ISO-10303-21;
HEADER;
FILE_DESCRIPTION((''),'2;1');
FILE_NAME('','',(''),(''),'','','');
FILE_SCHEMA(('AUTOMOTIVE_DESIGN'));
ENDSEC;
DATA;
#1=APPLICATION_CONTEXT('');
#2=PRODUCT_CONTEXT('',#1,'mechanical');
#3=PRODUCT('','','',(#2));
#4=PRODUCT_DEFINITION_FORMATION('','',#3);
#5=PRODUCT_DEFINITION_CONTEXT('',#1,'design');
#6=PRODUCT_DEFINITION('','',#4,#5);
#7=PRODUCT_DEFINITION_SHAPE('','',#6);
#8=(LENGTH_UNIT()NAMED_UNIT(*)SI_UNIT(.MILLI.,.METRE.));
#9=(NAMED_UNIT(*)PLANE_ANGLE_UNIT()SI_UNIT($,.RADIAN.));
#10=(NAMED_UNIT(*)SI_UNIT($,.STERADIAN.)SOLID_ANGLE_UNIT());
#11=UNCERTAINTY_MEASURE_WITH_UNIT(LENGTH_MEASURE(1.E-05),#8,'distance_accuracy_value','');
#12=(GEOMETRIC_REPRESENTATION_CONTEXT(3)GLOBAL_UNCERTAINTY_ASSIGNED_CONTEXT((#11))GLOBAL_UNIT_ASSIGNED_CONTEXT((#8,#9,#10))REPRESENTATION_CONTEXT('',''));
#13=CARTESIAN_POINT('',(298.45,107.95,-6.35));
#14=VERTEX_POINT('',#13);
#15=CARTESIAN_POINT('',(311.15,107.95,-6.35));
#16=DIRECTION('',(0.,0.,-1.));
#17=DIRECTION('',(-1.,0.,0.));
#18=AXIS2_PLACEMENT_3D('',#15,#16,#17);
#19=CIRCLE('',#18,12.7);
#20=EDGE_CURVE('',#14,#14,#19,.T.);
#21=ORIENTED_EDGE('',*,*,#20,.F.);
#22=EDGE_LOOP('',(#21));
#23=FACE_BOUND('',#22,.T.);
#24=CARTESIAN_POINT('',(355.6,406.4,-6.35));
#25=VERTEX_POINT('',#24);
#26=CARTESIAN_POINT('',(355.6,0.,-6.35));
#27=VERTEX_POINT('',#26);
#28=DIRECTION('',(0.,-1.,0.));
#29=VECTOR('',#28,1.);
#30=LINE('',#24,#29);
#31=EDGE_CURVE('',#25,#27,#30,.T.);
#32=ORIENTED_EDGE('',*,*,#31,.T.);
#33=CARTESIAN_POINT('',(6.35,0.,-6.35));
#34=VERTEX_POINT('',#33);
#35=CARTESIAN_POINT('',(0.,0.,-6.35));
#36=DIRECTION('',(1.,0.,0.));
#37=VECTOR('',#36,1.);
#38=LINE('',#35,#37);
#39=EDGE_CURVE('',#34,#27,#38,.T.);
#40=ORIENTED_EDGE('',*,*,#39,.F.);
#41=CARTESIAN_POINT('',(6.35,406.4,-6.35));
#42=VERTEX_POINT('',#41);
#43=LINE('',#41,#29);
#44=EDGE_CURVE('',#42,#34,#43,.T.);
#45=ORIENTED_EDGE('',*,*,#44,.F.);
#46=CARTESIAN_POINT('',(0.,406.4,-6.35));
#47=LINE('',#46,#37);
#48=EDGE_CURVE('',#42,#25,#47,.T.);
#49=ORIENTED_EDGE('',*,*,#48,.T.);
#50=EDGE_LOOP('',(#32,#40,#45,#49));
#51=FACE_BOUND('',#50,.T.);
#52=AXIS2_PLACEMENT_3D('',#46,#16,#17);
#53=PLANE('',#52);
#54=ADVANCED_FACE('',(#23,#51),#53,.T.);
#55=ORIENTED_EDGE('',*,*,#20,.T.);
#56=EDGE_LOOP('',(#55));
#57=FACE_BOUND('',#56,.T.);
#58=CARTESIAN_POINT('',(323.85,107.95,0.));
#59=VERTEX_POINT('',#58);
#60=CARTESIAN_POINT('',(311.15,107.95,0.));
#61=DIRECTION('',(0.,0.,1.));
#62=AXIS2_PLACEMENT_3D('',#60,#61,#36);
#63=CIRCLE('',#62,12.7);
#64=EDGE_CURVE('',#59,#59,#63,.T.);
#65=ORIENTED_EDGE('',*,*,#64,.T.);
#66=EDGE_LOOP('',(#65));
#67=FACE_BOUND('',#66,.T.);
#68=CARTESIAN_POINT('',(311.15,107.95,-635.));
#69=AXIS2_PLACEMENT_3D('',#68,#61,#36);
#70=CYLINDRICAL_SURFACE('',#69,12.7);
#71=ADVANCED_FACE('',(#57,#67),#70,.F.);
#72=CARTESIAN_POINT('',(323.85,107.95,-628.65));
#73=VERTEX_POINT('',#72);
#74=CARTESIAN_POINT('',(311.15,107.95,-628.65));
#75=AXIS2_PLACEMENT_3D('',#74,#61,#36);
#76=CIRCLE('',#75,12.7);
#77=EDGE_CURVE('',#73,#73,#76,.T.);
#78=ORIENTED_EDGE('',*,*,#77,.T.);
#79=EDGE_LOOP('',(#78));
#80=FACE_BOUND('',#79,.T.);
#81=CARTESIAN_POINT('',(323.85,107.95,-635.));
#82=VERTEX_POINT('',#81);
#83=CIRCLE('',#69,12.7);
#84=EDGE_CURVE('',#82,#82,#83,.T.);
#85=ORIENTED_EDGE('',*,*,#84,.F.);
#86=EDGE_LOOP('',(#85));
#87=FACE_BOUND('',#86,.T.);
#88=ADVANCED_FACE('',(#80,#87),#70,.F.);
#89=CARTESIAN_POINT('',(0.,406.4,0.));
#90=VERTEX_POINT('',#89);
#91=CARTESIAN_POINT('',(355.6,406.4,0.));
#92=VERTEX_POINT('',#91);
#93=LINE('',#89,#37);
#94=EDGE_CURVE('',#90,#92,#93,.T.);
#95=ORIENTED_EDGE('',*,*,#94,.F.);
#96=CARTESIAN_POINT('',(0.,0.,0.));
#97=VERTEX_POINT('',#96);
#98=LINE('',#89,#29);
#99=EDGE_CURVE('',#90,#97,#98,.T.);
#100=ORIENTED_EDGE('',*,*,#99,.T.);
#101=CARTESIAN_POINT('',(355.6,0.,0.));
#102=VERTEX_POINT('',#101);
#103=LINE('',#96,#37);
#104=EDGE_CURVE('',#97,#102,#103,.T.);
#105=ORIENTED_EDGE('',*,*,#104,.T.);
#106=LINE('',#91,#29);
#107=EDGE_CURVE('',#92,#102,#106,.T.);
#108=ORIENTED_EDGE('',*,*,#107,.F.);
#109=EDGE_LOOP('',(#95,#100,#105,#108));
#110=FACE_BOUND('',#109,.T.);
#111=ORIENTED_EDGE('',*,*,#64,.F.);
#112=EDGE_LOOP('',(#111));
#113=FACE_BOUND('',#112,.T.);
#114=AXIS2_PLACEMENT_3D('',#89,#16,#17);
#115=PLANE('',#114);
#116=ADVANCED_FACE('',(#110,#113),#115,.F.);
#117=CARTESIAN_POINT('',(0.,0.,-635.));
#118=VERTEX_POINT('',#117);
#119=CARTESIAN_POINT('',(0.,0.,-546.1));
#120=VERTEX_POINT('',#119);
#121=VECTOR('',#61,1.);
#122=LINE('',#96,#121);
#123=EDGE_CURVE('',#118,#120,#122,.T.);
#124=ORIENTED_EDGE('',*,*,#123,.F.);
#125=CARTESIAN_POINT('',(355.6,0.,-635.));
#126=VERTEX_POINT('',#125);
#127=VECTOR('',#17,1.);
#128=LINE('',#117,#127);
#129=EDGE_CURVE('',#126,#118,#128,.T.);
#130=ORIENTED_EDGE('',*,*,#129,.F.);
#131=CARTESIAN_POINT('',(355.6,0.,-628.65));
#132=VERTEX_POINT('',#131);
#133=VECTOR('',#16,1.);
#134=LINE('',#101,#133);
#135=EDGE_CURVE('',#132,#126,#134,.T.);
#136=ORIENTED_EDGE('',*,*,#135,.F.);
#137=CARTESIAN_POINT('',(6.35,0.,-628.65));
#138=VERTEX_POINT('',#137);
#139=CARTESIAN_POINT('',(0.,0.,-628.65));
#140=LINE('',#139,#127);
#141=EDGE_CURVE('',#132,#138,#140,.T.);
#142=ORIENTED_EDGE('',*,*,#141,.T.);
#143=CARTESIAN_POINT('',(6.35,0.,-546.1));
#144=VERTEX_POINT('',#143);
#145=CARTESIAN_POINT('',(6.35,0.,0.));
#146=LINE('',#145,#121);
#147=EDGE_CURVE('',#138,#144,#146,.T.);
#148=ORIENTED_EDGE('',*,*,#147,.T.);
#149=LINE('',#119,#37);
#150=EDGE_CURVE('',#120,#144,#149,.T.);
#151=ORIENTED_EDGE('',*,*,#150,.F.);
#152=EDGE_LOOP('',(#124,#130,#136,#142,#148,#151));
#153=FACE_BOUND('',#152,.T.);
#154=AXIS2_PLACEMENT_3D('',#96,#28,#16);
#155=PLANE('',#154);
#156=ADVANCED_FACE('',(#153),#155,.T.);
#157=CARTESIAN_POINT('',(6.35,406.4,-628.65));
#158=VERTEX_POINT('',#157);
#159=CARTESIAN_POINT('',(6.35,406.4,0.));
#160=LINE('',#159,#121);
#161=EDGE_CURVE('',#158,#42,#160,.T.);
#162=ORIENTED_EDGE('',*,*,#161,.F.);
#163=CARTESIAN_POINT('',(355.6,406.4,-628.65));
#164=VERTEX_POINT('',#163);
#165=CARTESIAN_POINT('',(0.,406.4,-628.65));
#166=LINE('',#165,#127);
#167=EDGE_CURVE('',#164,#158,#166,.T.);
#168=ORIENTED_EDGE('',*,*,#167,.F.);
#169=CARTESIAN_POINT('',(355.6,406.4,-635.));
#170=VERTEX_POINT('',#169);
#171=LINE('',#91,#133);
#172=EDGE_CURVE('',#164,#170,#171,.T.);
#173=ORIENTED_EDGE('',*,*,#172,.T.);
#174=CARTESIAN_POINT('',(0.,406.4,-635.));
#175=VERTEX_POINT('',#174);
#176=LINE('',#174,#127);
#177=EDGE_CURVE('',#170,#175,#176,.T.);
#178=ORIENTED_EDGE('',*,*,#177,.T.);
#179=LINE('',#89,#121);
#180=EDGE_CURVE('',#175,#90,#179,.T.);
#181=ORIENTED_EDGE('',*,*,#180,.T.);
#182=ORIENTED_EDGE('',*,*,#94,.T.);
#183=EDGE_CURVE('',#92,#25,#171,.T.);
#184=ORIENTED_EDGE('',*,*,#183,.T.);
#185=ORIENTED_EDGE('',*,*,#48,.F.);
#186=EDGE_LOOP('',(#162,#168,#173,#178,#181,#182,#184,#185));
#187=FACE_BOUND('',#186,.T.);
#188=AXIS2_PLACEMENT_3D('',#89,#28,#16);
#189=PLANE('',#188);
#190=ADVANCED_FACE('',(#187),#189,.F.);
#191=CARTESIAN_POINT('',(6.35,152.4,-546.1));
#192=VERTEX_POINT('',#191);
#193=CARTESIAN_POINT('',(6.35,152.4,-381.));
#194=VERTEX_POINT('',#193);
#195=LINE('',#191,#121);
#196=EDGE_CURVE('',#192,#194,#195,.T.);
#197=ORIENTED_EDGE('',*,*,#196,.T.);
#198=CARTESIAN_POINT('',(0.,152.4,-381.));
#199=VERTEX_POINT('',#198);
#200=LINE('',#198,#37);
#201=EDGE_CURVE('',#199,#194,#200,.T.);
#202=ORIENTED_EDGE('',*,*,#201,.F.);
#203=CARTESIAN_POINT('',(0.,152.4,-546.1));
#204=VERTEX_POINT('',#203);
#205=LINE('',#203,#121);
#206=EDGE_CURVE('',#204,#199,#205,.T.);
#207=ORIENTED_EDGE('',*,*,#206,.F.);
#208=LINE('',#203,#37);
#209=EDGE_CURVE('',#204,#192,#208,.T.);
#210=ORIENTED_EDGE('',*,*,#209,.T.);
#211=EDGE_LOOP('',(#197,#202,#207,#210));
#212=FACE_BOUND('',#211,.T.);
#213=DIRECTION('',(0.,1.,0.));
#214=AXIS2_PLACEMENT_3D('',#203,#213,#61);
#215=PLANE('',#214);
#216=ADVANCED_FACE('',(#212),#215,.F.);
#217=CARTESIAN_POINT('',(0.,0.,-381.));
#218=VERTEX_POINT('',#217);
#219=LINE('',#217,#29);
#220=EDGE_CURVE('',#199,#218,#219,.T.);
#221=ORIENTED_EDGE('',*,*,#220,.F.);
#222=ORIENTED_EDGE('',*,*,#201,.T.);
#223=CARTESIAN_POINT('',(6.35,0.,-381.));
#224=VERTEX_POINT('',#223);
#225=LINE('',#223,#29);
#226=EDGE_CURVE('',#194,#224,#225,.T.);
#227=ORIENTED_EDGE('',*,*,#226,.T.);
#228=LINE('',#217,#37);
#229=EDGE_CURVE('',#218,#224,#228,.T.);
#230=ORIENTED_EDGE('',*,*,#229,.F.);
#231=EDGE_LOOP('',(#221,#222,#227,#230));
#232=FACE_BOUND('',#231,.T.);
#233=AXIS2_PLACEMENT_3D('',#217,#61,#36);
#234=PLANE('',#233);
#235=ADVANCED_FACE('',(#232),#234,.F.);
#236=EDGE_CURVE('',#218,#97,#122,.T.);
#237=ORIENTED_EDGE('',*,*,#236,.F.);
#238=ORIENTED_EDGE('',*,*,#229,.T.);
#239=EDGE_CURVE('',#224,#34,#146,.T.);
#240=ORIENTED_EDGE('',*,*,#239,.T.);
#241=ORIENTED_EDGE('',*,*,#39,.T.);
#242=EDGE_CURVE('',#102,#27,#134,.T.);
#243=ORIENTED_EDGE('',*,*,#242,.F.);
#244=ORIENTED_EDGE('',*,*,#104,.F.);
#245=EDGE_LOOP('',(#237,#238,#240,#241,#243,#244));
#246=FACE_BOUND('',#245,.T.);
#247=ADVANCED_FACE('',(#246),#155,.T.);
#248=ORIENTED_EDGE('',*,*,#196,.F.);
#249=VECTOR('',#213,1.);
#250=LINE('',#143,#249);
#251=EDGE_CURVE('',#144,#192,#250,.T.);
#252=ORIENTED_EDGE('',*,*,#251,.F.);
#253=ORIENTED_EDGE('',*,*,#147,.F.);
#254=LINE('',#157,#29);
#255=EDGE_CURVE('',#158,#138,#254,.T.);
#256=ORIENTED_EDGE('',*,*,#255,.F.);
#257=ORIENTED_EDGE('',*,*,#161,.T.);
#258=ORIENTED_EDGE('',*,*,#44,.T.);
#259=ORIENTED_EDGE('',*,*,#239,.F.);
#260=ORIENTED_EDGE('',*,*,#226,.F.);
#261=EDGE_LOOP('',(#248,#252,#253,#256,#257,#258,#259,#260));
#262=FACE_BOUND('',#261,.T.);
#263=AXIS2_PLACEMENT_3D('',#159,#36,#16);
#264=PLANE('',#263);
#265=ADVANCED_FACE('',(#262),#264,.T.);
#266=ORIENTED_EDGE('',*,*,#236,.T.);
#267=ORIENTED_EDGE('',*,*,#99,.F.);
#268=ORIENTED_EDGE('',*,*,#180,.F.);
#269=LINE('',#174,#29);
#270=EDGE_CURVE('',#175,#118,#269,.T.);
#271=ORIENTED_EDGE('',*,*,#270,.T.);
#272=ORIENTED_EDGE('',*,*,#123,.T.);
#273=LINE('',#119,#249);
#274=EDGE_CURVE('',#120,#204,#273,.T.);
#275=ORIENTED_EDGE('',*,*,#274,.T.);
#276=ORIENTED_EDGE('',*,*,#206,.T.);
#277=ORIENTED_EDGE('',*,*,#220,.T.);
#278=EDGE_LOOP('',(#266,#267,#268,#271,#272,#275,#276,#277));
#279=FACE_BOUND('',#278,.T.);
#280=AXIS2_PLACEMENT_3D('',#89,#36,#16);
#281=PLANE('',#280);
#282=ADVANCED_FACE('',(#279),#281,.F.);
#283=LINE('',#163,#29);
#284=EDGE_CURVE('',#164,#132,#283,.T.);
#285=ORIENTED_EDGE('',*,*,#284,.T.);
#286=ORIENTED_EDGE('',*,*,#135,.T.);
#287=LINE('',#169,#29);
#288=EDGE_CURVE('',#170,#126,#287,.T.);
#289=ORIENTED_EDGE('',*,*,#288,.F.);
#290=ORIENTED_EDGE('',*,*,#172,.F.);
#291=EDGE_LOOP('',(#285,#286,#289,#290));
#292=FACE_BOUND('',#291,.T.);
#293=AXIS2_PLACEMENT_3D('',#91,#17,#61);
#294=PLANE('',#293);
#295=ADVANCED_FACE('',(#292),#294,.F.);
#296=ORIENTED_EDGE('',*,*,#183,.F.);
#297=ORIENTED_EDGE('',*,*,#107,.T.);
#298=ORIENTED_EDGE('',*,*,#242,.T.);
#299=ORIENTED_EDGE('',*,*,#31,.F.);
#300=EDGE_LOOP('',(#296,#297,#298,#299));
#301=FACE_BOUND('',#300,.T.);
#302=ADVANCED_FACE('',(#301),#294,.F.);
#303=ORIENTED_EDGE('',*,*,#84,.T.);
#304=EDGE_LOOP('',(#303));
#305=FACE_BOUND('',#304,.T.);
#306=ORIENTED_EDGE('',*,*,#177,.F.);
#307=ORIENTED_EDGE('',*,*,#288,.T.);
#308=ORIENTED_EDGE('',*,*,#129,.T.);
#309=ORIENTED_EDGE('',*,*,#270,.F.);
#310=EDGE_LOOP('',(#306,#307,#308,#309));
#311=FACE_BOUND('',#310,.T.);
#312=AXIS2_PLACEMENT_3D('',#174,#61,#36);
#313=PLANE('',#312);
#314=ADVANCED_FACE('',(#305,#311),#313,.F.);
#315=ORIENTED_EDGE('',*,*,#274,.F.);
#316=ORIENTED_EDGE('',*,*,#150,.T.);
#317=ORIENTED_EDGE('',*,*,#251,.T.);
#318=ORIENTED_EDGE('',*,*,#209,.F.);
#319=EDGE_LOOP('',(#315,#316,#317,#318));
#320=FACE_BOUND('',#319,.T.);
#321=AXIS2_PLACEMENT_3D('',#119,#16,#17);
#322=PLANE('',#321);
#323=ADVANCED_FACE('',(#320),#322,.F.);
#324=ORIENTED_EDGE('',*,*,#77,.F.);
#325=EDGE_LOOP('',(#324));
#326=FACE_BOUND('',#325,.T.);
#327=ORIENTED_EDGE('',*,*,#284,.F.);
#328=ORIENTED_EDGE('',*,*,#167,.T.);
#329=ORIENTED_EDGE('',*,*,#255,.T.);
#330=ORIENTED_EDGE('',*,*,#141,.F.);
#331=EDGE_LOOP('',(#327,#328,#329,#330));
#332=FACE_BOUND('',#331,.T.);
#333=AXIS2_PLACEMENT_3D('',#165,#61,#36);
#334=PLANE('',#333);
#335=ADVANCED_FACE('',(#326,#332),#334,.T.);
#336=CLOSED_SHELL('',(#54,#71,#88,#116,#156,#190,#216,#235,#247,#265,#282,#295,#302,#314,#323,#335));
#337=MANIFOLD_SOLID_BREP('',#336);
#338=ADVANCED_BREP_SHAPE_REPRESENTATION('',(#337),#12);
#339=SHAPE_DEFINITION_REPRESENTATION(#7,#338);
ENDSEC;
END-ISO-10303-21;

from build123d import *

# Parameters (mm, degrees)
SKETCH1_W           = 355.6
SKETCH1_H           = 635
BOSS_EXTRUDE1_DEPTH = 406.4
SHELL1_T            = -6.35
SKETCH2_W           = 165.1
SKETCH2_H           = 152.4
CUT_EXTRUDE1_DEPTH  = 7.35
SKETCH3_R           = 12.7
CUT_EXTRUDE2_DEPTH  = 636


with BuildPart() as part:
    # Sketch1 → Boss-Extrude1 (new body)
    with BuildSketch(Plane(origin=(0, 0, 0), x_dir=(1, 0, 0), z_dir=(0, 1, 0))):
        with Locations((177.8, 317.5)):
            Rectangle(SKETCH1_W, SKETCH1_H)
    extrude(amount=BOSS_EXTRUDE1_DEPTH)

    # Shell1
    shell1_openings = [part.faces().sort_by_distance(p)[0] for p in [
        (177.8, 406.4, -317.5),
        (177.8, 0, -317.5),
        (355.6, 203.2, -317.5),
    ]]
    offset(amount=SHELL1_T, openings=shell1_openings, kind=Kind.INTERSECTION)

    # Sketch2 → Cut-Extrude1 (cut, through all)
    with BuildSketch(Plane(origin=(6.35, 0, 0), x_dir=(0, 0, -1), z_dir=(1, 0, 0))):
        with Locations((463.55, 76.2)):
            Rectangle(SKETCH2_W, SKETCH2_H)
    extrude(amount=-CUT_EXTRUDE1_DEPTH, mode=Mode.SUBTRACT)

    # Sketch3 → Cut-Extrude2 (cut, through all)
    with BuildSketch(Plane.XY):
        with Locations((311.15, 107.95)):
            Circle(SKETCH3_R)
    extrude(amount=-CUT_EXTRUDE2_DEPTH, mode=Mode.SUBTRACT)


solid = part.part
